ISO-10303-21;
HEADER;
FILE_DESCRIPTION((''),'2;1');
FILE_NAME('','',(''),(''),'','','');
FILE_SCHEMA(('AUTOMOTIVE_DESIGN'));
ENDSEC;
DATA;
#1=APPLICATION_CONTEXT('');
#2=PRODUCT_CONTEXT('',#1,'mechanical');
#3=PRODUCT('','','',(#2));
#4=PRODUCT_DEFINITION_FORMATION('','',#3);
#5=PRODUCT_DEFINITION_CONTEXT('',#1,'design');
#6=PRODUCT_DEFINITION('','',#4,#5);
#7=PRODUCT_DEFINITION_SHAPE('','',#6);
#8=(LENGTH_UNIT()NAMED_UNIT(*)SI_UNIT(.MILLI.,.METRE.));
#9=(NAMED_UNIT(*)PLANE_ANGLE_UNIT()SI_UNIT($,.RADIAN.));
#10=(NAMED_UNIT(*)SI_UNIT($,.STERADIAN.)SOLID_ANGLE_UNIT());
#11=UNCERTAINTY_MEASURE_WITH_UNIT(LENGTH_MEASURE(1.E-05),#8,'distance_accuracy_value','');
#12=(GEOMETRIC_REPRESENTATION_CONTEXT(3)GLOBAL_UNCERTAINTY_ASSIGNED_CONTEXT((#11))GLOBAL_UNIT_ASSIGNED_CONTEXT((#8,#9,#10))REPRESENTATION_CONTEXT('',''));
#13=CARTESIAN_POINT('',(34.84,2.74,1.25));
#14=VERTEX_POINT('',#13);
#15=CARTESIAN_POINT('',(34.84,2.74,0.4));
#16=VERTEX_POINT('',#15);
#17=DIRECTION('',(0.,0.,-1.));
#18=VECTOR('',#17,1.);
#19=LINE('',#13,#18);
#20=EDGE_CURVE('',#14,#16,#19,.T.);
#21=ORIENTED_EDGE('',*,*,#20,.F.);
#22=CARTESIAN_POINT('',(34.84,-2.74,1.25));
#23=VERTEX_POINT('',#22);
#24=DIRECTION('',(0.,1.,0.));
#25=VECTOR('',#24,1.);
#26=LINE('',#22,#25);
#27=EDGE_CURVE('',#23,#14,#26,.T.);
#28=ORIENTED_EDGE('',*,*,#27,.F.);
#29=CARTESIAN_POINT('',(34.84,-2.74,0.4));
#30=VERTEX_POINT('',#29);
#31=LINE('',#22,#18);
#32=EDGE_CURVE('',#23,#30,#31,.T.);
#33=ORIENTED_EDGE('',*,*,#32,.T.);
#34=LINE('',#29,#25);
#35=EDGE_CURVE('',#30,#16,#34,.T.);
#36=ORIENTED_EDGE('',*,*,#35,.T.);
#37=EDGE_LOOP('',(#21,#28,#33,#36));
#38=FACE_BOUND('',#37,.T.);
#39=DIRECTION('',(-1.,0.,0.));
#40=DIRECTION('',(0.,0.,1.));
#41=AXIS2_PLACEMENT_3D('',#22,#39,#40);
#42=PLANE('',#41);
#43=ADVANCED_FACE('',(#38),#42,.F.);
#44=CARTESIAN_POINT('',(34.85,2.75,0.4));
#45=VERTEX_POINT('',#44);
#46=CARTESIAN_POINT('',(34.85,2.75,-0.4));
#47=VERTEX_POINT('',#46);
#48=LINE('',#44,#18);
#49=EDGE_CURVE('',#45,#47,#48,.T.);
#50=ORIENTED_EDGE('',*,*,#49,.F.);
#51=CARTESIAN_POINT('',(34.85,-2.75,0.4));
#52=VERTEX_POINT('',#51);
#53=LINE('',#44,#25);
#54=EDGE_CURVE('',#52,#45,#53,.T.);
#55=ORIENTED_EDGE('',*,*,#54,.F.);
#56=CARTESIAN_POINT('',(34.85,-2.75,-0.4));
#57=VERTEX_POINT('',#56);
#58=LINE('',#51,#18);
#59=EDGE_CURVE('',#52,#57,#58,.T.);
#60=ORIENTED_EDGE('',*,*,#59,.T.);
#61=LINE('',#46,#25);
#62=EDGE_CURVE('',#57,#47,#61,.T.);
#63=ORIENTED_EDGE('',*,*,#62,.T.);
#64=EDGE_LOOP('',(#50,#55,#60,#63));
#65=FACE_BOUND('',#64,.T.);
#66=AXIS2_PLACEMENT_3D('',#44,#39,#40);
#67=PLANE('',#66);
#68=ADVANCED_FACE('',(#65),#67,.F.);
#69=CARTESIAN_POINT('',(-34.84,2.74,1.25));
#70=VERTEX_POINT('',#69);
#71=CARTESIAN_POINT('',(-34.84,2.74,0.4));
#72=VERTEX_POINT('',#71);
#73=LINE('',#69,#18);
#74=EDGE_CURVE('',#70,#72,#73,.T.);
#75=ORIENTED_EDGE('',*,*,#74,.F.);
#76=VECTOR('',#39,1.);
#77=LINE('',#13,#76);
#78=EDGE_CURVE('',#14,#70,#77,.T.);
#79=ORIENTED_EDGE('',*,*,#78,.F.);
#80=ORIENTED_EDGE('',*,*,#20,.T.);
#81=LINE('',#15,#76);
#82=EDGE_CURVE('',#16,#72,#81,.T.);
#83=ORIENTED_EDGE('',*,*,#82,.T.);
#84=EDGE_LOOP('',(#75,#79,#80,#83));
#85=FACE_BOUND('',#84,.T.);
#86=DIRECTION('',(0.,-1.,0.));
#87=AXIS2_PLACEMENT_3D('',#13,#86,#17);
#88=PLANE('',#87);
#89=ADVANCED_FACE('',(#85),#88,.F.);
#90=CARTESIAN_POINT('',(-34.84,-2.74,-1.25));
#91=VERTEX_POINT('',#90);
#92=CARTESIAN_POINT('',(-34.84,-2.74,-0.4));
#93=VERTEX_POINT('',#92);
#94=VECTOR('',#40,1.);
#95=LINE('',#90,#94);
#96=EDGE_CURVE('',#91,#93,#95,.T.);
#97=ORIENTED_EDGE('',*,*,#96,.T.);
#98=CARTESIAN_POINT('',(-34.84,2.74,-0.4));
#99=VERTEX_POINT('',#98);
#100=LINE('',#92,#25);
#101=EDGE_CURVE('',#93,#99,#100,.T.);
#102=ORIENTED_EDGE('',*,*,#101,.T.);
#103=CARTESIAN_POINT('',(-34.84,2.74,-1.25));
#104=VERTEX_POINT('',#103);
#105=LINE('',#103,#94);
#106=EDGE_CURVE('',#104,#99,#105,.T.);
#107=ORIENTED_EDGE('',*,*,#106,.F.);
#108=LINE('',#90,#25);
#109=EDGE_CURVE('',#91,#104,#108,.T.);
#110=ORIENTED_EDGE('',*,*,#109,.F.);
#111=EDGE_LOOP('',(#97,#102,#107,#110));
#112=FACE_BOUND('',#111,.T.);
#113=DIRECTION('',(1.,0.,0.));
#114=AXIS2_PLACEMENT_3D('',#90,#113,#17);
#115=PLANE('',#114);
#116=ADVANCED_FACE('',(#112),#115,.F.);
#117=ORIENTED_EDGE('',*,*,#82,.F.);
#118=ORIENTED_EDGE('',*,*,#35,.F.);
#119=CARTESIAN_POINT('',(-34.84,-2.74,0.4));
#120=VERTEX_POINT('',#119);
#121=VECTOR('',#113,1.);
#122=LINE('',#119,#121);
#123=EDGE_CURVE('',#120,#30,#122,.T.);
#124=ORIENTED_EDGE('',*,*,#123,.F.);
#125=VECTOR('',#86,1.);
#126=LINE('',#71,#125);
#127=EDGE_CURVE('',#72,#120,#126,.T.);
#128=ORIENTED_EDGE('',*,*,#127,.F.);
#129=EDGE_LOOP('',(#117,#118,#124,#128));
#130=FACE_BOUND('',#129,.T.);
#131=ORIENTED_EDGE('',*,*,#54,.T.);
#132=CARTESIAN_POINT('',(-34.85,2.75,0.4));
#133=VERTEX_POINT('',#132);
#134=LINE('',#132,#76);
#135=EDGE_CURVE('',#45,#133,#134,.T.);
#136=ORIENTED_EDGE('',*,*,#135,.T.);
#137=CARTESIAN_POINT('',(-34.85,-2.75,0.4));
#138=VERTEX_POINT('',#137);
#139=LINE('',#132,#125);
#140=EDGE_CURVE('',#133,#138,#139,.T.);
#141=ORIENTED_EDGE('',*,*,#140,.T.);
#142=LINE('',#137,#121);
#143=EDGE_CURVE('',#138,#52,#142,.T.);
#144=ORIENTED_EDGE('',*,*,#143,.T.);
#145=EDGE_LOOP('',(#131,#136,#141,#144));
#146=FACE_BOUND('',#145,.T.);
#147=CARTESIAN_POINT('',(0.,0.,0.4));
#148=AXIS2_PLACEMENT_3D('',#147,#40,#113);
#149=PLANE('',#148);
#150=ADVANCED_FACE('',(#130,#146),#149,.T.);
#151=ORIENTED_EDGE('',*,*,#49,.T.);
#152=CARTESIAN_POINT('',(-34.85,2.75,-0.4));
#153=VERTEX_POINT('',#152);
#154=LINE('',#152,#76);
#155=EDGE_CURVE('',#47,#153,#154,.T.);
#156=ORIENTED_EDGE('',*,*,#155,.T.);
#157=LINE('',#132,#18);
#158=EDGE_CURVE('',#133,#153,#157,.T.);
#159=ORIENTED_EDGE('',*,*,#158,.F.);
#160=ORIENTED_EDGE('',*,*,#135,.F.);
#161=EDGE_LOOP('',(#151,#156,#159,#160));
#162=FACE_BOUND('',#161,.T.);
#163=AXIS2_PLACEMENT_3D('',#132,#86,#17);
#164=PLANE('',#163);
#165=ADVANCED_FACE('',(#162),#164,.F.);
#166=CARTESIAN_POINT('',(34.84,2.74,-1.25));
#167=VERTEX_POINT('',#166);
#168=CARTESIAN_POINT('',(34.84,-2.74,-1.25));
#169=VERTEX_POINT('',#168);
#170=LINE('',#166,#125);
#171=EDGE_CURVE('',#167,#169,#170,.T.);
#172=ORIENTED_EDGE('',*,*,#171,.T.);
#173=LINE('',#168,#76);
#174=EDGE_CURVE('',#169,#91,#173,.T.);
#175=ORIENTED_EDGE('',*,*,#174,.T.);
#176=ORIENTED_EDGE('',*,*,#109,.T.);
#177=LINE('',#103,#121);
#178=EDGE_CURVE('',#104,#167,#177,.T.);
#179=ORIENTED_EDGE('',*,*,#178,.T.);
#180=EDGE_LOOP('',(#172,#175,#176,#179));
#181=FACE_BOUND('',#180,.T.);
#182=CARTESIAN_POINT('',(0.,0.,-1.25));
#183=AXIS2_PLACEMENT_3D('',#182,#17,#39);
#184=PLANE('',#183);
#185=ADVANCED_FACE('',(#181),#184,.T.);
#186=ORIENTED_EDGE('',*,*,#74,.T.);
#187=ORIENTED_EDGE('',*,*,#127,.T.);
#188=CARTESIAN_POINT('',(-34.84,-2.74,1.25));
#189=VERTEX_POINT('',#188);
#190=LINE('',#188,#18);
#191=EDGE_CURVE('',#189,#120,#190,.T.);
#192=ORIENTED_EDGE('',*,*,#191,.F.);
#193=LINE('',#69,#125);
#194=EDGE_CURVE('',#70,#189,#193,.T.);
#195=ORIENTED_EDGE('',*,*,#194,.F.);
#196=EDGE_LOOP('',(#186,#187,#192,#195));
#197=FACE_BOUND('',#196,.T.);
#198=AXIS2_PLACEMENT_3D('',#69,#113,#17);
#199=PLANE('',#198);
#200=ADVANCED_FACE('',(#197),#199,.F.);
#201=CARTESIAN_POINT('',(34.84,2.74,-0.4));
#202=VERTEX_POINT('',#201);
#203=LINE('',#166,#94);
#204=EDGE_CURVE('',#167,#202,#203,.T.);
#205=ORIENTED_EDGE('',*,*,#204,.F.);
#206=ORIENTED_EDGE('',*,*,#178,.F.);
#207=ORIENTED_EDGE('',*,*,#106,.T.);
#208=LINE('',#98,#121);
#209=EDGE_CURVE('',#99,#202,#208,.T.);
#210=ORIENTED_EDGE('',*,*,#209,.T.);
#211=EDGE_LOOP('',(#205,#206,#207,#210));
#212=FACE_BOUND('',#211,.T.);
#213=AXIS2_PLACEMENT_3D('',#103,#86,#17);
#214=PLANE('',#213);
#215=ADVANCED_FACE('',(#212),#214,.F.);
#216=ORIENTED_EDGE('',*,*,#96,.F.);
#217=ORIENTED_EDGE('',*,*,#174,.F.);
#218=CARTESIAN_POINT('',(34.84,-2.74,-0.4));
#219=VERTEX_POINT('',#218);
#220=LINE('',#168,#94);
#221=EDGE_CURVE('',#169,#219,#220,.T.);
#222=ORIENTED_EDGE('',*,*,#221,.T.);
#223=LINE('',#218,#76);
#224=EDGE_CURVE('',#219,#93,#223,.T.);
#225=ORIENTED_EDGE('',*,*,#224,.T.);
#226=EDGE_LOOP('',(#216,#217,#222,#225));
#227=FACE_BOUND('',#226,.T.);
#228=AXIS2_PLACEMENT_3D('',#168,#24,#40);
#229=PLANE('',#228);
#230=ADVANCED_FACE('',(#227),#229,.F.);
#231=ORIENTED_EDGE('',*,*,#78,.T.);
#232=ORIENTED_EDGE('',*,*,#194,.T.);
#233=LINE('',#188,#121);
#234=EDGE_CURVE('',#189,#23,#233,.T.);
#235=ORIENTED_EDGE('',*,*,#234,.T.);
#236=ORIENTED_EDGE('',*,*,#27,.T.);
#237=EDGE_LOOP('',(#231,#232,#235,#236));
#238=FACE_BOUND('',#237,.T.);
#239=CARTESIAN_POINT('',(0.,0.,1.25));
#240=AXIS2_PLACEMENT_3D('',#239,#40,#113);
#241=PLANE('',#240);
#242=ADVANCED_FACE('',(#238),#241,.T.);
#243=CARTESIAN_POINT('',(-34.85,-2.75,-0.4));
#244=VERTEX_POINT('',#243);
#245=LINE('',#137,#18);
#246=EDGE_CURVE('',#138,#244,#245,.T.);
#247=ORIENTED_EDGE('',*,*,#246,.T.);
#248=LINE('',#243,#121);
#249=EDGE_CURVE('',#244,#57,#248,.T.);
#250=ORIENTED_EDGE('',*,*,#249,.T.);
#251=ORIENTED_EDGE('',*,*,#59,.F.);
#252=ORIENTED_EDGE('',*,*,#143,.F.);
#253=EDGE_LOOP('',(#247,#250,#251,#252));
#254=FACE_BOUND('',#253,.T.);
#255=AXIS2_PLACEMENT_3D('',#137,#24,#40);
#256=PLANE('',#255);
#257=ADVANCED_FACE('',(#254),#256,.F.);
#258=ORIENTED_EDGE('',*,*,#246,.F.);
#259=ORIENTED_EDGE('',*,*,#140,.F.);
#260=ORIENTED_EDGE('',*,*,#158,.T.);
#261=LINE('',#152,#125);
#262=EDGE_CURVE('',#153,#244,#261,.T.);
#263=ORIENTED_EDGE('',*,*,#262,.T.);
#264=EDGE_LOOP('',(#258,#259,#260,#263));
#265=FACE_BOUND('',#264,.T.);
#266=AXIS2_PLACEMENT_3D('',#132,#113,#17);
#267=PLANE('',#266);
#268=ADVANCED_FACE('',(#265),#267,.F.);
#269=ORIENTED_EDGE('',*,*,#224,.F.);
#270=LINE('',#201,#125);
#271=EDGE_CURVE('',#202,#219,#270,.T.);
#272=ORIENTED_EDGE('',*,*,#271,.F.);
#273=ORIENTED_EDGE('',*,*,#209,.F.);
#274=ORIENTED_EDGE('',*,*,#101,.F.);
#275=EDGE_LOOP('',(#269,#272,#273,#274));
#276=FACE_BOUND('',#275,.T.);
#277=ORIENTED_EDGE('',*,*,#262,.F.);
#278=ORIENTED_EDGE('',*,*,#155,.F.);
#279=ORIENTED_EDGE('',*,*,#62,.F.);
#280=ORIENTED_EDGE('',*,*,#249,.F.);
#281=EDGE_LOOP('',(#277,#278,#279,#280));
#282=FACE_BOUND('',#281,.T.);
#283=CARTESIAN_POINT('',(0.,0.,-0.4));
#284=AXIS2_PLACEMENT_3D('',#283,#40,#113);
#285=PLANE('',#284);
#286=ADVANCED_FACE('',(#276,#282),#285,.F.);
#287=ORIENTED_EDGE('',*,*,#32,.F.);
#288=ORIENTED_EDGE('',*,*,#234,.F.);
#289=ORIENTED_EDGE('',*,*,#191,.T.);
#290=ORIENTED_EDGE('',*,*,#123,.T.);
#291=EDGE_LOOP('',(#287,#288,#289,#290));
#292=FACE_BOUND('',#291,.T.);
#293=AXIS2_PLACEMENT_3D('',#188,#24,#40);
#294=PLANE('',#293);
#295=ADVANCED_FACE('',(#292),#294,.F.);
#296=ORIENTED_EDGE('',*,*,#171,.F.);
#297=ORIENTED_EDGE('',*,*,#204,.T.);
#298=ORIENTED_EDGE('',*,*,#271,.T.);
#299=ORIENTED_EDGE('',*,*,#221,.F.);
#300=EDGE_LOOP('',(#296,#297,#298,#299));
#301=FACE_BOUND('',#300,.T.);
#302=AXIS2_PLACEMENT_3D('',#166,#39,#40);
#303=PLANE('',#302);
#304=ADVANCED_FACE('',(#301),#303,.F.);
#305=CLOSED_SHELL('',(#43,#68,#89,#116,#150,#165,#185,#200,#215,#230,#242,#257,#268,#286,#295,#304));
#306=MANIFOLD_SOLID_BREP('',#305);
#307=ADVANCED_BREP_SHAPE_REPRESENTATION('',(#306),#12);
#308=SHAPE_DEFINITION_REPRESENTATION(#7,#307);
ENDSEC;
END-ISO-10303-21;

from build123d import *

# Parameters (mm, degrees)
SKETCH1_W           = 69.7
SKETCH1_H           = 5.5
BOSS_EXTRUDE1_DEPTH = 0.4
SKETCH2_W           = 69.68
SKETCH2_H           = 5.48
BOSS_EXTRUDE2_DEPTH = 0.85
SKETCH3_W           = 69.68
SKETCH3_H           = 5.48
BOSS_EXTRUDE3_DEPTH = 0.85


with BuildPart() as part:
    # Sketch1 → Boss-Extrude1 (new body, symmetric)
    with BuildSketch(Plane.XY):
        Rectangle(SKETCH1_W, SKETCH1_H)
    extrude(amount=BOSS_EXTRUDE1_DEPTH, both=True)

    # Sketch2 → Boss-Extrude2 (add)
    with BuildSketch(Plane.XY.offset(0.4)):
        Rectangle(SKETCH2_W, SKETCH2_H)
    extrude(amount=BOSS_EXTRUDE2_DEPTH)

    # Sketch3 → Boss-Extrude3 (add)
    with BuildSketch(Plane(origin=(0, 0, -0.4), x_dir=(-1, 0, 0), z_dir=(0, 0, -1))):
        Rectangle(SKETCH3_W, SKETCH3_H)
    extrude(amount=BOSS_EXTRUDE3_DEPTH)


solid = part.part
